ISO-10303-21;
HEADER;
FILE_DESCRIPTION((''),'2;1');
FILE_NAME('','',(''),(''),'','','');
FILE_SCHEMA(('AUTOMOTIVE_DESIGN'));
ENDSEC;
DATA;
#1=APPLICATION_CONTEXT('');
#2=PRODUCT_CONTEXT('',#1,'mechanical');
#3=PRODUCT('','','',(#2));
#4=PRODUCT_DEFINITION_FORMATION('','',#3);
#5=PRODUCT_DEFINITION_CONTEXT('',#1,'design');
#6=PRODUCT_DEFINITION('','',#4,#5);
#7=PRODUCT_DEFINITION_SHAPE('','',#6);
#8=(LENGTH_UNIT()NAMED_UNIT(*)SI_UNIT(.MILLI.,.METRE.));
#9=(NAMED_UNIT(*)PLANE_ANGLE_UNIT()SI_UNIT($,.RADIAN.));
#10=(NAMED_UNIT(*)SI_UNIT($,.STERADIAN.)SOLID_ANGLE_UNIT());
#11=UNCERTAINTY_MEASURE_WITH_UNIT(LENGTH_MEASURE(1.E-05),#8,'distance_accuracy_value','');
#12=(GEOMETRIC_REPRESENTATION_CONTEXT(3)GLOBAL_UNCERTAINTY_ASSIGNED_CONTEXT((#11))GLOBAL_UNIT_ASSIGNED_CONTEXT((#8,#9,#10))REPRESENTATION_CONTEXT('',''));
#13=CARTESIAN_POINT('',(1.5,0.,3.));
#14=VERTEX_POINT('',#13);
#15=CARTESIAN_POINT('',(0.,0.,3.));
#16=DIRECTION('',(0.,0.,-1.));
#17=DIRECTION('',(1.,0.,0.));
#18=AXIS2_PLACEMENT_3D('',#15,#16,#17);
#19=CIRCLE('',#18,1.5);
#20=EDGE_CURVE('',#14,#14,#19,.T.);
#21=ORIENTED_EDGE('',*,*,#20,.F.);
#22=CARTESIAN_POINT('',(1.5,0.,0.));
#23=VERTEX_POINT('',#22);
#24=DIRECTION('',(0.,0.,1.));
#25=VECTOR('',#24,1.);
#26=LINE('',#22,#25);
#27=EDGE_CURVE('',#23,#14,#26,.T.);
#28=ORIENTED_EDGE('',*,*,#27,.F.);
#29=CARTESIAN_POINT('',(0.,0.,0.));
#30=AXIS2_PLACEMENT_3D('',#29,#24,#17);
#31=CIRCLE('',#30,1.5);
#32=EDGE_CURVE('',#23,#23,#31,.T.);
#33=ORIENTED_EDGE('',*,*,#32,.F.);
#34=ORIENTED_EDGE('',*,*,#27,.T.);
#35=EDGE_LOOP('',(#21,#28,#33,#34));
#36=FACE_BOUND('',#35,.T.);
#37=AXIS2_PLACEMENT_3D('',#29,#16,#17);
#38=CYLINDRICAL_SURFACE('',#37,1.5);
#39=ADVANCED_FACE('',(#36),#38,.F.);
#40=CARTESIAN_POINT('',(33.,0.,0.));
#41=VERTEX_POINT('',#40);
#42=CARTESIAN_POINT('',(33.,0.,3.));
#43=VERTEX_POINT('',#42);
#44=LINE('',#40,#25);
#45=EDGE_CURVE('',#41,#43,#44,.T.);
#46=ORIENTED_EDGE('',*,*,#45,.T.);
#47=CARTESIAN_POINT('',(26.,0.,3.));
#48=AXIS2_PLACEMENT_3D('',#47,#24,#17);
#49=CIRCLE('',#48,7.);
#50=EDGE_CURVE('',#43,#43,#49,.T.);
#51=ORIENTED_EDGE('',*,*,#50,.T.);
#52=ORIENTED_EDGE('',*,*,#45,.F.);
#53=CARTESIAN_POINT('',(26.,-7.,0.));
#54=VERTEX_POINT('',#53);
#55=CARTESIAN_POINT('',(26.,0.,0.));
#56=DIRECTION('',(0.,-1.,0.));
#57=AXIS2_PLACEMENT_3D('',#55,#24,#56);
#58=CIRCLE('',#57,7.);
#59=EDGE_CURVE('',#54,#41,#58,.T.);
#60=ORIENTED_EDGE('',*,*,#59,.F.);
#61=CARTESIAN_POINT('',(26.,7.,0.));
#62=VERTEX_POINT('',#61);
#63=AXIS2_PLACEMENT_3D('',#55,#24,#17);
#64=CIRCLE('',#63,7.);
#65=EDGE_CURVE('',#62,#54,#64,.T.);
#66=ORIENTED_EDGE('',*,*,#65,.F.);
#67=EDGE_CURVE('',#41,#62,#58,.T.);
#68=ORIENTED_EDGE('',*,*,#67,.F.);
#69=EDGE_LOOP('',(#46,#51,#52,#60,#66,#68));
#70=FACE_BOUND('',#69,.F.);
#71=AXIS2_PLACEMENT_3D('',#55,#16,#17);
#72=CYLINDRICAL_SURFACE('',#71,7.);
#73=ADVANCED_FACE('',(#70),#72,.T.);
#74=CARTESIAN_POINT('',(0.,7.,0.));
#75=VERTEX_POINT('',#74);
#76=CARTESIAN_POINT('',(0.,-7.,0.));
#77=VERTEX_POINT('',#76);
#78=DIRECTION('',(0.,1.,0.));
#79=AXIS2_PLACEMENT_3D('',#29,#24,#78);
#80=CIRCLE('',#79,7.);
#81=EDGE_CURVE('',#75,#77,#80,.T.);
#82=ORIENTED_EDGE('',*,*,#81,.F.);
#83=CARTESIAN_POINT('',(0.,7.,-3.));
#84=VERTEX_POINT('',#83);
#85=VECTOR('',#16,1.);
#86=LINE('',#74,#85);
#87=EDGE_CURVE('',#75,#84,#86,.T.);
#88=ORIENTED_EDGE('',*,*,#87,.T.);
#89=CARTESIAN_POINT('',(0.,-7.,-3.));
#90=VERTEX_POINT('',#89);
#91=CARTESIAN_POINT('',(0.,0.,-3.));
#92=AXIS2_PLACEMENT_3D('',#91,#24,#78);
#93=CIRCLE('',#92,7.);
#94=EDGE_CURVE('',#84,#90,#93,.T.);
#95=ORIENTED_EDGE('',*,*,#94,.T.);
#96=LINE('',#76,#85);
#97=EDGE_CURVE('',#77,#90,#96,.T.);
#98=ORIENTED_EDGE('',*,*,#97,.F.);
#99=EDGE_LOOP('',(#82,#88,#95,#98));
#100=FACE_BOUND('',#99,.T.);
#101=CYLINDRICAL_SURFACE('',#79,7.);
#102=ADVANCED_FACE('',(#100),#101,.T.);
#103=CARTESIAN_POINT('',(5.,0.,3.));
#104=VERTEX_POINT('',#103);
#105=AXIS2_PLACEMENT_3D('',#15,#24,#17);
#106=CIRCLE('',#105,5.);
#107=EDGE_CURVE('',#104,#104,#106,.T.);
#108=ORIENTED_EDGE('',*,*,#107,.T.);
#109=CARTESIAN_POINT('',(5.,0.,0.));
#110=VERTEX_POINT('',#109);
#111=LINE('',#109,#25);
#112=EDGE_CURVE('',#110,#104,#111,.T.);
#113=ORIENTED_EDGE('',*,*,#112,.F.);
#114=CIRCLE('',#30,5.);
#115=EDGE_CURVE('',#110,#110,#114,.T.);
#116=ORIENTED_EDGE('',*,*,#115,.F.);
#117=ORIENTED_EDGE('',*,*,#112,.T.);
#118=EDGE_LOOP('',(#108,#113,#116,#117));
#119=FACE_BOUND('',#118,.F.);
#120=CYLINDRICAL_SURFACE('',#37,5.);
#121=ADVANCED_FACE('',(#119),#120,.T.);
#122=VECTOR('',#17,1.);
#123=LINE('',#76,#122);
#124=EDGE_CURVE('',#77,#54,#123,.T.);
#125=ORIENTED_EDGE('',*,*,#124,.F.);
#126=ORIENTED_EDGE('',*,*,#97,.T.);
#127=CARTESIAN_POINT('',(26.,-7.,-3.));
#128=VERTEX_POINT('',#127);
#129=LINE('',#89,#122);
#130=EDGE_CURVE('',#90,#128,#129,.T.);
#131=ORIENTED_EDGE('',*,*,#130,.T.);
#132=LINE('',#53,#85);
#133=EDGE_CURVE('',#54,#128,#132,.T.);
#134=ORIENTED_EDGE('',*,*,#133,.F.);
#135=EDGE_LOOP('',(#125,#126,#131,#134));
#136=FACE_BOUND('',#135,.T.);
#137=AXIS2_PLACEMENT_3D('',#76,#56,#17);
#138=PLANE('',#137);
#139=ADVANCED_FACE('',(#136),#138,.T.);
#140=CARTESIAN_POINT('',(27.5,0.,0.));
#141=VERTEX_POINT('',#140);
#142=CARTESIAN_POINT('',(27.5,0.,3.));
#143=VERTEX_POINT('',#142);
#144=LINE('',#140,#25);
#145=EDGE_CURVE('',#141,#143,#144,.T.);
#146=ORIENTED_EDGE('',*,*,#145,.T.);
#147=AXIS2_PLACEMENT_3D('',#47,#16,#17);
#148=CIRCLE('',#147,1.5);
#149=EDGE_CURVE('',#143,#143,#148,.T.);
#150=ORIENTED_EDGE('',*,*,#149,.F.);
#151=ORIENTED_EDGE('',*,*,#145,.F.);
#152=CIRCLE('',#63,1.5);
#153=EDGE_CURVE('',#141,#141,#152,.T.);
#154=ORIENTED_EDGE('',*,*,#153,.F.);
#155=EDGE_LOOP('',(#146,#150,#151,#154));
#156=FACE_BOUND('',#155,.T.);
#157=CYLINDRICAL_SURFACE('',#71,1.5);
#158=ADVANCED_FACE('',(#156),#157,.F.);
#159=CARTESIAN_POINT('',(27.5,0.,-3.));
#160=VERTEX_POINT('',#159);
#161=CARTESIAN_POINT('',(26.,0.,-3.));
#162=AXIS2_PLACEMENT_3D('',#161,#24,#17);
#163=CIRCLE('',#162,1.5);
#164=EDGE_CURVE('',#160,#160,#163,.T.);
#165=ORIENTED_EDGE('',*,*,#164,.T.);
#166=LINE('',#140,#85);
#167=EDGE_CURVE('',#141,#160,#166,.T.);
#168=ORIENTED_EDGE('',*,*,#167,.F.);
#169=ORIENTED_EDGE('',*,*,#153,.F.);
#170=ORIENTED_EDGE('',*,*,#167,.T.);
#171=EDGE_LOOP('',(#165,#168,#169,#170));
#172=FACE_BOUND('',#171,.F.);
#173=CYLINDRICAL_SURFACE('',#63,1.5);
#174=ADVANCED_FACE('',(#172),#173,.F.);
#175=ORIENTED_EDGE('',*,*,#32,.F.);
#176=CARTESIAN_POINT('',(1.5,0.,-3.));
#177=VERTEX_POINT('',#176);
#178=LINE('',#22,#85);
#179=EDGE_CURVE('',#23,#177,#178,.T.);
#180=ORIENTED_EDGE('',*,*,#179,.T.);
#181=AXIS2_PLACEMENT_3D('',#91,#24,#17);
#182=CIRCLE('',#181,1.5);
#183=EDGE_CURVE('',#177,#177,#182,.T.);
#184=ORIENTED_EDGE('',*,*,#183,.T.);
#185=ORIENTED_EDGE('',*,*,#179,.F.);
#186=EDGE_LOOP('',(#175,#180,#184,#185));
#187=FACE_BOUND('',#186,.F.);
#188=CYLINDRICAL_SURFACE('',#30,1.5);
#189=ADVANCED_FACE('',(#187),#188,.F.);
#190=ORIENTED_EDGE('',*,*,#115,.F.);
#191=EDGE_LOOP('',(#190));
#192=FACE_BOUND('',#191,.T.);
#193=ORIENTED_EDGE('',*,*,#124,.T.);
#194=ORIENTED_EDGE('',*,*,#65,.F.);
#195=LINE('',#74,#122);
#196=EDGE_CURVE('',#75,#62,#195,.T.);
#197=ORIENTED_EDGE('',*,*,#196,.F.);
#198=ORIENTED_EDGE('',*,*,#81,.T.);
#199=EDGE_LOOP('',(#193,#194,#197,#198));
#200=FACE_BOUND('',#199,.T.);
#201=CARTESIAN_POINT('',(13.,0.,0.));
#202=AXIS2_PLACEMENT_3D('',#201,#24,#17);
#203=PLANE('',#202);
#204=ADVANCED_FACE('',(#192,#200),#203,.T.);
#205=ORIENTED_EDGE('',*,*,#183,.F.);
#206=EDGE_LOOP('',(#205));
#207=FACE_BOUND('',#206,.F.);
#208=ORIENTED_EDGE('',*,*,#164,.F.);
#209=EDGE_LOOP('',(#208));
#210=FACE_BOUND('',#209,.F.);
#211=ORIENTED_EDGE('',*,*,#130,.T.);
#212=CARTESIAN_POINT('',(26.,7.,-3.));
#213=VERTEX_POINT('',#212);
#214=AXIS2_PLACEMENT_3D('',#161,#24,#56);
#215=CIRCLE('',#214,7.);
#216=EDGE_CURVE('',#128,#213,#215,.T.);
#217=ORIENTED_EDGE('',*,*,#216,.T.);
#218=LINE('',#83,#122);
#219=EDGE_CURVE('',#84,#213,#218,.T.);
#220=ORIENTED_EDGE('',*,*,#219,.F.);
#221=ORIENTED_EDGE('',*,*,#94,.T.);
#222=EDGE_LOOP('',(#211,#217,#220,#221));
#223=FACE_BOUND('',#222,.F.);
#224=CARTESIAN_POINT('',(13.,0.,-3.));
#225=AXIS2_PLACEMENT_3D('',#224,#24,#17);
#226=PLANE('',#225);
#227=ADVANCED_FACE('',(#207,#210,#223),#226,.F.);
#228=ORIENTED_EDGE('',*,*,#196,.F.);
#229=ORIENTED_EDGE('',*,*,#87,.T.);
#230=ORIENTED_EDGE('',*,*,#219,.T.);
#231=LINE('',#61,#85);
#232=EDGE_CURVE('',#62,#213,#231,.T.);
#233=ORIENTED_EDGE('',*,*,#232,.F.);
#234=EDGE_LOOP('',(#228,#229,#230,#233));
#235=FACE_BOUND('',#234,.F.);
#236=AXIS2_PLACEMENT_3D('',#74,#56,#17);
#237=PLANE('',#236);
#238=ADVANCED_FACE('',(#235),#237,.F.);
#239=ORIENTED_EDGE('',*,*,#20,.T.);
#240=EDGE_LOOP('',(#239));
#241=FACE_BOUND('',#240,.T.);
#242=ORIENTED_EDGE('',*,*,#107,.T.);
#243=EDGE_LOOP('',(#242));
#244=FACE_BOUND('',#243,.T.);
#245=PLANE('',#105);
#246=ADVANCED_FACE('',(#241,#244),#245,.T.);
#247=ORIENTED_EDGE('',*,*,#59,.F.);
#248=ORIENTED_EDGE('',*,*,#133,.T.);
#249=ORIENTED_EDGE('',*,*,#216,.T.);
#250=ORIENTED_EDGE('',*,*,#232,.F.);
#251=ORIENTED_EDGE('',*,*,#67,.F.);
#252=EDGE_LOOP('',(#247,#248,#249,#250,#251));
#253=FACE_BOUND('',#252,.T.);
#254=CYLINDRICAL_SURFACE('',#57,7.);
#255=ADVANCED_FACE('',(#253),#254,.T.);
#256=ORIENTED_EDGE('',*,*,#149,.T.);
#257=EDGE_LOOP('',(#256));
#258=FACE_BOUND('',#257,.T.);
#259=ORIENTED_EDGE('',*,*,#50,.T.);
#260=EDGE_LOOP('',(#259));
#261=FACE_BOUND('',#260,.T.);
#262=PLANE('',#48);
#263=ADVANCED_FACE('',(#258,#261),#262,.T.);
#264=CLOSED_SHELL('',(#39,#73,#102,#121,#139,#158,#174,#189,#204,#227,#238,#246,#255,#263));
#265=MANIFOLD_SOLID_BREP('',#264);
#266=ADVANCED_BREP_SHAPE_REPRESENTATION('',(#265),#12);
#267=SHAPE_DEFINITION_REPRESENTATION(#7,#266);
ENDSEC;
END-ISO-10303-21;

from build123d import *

# Parameters (mm, degrees)
PAD_DEPTH         = 3
SKETCH001_R       = 7
SKETCH001_R_2     = 5
PAD001_DEPTH      = 3
SKETCH002_R       = 1.5
POCKET_DEPTH      = 3.001
POCKET_DEPTH_BACK = -3.001


with BuildPart() as part:
    # Sketch → Pad (new body)
    with BuildSketch(Plane.XY):
        with BuildLine():
            ThreePointArc((0, 7), (-7, 0), (0, -7))
            Line((0, -7), (26, -7))
            ThreePointArc((26, -7), (33, 0), (26, 7))
            Line((0, 7), (26, 7))
        make_face()
    extrude(amount=-PAD_DEPTH)

    # Sketch001 → Pad001 (join)
    with BuildSketch(Plane.XY):
        with Locations((26, 0)):
            Circle(SKETCH001_R)
        Circle(SKETCH001_R_2)
    extrude(amount=PAD001_DEPTH)

    # Sketch002 → Pocket (cut, two sides)
    with BuildSketch(Plane.XY) as pocket_sk:
        Circle(SKETCH002_R)
        with Locations((26, 0)):
            Circle(SKETCH002_R)
    extrude(amount=-POCKET_DEPTH, mode=Mode.SUBTRACT)
    extrude(pocket_sk.sketch, amount=-POCKET_DEPTH_BACK, mode=Mode.SUBTRACT)


solid = part.part
